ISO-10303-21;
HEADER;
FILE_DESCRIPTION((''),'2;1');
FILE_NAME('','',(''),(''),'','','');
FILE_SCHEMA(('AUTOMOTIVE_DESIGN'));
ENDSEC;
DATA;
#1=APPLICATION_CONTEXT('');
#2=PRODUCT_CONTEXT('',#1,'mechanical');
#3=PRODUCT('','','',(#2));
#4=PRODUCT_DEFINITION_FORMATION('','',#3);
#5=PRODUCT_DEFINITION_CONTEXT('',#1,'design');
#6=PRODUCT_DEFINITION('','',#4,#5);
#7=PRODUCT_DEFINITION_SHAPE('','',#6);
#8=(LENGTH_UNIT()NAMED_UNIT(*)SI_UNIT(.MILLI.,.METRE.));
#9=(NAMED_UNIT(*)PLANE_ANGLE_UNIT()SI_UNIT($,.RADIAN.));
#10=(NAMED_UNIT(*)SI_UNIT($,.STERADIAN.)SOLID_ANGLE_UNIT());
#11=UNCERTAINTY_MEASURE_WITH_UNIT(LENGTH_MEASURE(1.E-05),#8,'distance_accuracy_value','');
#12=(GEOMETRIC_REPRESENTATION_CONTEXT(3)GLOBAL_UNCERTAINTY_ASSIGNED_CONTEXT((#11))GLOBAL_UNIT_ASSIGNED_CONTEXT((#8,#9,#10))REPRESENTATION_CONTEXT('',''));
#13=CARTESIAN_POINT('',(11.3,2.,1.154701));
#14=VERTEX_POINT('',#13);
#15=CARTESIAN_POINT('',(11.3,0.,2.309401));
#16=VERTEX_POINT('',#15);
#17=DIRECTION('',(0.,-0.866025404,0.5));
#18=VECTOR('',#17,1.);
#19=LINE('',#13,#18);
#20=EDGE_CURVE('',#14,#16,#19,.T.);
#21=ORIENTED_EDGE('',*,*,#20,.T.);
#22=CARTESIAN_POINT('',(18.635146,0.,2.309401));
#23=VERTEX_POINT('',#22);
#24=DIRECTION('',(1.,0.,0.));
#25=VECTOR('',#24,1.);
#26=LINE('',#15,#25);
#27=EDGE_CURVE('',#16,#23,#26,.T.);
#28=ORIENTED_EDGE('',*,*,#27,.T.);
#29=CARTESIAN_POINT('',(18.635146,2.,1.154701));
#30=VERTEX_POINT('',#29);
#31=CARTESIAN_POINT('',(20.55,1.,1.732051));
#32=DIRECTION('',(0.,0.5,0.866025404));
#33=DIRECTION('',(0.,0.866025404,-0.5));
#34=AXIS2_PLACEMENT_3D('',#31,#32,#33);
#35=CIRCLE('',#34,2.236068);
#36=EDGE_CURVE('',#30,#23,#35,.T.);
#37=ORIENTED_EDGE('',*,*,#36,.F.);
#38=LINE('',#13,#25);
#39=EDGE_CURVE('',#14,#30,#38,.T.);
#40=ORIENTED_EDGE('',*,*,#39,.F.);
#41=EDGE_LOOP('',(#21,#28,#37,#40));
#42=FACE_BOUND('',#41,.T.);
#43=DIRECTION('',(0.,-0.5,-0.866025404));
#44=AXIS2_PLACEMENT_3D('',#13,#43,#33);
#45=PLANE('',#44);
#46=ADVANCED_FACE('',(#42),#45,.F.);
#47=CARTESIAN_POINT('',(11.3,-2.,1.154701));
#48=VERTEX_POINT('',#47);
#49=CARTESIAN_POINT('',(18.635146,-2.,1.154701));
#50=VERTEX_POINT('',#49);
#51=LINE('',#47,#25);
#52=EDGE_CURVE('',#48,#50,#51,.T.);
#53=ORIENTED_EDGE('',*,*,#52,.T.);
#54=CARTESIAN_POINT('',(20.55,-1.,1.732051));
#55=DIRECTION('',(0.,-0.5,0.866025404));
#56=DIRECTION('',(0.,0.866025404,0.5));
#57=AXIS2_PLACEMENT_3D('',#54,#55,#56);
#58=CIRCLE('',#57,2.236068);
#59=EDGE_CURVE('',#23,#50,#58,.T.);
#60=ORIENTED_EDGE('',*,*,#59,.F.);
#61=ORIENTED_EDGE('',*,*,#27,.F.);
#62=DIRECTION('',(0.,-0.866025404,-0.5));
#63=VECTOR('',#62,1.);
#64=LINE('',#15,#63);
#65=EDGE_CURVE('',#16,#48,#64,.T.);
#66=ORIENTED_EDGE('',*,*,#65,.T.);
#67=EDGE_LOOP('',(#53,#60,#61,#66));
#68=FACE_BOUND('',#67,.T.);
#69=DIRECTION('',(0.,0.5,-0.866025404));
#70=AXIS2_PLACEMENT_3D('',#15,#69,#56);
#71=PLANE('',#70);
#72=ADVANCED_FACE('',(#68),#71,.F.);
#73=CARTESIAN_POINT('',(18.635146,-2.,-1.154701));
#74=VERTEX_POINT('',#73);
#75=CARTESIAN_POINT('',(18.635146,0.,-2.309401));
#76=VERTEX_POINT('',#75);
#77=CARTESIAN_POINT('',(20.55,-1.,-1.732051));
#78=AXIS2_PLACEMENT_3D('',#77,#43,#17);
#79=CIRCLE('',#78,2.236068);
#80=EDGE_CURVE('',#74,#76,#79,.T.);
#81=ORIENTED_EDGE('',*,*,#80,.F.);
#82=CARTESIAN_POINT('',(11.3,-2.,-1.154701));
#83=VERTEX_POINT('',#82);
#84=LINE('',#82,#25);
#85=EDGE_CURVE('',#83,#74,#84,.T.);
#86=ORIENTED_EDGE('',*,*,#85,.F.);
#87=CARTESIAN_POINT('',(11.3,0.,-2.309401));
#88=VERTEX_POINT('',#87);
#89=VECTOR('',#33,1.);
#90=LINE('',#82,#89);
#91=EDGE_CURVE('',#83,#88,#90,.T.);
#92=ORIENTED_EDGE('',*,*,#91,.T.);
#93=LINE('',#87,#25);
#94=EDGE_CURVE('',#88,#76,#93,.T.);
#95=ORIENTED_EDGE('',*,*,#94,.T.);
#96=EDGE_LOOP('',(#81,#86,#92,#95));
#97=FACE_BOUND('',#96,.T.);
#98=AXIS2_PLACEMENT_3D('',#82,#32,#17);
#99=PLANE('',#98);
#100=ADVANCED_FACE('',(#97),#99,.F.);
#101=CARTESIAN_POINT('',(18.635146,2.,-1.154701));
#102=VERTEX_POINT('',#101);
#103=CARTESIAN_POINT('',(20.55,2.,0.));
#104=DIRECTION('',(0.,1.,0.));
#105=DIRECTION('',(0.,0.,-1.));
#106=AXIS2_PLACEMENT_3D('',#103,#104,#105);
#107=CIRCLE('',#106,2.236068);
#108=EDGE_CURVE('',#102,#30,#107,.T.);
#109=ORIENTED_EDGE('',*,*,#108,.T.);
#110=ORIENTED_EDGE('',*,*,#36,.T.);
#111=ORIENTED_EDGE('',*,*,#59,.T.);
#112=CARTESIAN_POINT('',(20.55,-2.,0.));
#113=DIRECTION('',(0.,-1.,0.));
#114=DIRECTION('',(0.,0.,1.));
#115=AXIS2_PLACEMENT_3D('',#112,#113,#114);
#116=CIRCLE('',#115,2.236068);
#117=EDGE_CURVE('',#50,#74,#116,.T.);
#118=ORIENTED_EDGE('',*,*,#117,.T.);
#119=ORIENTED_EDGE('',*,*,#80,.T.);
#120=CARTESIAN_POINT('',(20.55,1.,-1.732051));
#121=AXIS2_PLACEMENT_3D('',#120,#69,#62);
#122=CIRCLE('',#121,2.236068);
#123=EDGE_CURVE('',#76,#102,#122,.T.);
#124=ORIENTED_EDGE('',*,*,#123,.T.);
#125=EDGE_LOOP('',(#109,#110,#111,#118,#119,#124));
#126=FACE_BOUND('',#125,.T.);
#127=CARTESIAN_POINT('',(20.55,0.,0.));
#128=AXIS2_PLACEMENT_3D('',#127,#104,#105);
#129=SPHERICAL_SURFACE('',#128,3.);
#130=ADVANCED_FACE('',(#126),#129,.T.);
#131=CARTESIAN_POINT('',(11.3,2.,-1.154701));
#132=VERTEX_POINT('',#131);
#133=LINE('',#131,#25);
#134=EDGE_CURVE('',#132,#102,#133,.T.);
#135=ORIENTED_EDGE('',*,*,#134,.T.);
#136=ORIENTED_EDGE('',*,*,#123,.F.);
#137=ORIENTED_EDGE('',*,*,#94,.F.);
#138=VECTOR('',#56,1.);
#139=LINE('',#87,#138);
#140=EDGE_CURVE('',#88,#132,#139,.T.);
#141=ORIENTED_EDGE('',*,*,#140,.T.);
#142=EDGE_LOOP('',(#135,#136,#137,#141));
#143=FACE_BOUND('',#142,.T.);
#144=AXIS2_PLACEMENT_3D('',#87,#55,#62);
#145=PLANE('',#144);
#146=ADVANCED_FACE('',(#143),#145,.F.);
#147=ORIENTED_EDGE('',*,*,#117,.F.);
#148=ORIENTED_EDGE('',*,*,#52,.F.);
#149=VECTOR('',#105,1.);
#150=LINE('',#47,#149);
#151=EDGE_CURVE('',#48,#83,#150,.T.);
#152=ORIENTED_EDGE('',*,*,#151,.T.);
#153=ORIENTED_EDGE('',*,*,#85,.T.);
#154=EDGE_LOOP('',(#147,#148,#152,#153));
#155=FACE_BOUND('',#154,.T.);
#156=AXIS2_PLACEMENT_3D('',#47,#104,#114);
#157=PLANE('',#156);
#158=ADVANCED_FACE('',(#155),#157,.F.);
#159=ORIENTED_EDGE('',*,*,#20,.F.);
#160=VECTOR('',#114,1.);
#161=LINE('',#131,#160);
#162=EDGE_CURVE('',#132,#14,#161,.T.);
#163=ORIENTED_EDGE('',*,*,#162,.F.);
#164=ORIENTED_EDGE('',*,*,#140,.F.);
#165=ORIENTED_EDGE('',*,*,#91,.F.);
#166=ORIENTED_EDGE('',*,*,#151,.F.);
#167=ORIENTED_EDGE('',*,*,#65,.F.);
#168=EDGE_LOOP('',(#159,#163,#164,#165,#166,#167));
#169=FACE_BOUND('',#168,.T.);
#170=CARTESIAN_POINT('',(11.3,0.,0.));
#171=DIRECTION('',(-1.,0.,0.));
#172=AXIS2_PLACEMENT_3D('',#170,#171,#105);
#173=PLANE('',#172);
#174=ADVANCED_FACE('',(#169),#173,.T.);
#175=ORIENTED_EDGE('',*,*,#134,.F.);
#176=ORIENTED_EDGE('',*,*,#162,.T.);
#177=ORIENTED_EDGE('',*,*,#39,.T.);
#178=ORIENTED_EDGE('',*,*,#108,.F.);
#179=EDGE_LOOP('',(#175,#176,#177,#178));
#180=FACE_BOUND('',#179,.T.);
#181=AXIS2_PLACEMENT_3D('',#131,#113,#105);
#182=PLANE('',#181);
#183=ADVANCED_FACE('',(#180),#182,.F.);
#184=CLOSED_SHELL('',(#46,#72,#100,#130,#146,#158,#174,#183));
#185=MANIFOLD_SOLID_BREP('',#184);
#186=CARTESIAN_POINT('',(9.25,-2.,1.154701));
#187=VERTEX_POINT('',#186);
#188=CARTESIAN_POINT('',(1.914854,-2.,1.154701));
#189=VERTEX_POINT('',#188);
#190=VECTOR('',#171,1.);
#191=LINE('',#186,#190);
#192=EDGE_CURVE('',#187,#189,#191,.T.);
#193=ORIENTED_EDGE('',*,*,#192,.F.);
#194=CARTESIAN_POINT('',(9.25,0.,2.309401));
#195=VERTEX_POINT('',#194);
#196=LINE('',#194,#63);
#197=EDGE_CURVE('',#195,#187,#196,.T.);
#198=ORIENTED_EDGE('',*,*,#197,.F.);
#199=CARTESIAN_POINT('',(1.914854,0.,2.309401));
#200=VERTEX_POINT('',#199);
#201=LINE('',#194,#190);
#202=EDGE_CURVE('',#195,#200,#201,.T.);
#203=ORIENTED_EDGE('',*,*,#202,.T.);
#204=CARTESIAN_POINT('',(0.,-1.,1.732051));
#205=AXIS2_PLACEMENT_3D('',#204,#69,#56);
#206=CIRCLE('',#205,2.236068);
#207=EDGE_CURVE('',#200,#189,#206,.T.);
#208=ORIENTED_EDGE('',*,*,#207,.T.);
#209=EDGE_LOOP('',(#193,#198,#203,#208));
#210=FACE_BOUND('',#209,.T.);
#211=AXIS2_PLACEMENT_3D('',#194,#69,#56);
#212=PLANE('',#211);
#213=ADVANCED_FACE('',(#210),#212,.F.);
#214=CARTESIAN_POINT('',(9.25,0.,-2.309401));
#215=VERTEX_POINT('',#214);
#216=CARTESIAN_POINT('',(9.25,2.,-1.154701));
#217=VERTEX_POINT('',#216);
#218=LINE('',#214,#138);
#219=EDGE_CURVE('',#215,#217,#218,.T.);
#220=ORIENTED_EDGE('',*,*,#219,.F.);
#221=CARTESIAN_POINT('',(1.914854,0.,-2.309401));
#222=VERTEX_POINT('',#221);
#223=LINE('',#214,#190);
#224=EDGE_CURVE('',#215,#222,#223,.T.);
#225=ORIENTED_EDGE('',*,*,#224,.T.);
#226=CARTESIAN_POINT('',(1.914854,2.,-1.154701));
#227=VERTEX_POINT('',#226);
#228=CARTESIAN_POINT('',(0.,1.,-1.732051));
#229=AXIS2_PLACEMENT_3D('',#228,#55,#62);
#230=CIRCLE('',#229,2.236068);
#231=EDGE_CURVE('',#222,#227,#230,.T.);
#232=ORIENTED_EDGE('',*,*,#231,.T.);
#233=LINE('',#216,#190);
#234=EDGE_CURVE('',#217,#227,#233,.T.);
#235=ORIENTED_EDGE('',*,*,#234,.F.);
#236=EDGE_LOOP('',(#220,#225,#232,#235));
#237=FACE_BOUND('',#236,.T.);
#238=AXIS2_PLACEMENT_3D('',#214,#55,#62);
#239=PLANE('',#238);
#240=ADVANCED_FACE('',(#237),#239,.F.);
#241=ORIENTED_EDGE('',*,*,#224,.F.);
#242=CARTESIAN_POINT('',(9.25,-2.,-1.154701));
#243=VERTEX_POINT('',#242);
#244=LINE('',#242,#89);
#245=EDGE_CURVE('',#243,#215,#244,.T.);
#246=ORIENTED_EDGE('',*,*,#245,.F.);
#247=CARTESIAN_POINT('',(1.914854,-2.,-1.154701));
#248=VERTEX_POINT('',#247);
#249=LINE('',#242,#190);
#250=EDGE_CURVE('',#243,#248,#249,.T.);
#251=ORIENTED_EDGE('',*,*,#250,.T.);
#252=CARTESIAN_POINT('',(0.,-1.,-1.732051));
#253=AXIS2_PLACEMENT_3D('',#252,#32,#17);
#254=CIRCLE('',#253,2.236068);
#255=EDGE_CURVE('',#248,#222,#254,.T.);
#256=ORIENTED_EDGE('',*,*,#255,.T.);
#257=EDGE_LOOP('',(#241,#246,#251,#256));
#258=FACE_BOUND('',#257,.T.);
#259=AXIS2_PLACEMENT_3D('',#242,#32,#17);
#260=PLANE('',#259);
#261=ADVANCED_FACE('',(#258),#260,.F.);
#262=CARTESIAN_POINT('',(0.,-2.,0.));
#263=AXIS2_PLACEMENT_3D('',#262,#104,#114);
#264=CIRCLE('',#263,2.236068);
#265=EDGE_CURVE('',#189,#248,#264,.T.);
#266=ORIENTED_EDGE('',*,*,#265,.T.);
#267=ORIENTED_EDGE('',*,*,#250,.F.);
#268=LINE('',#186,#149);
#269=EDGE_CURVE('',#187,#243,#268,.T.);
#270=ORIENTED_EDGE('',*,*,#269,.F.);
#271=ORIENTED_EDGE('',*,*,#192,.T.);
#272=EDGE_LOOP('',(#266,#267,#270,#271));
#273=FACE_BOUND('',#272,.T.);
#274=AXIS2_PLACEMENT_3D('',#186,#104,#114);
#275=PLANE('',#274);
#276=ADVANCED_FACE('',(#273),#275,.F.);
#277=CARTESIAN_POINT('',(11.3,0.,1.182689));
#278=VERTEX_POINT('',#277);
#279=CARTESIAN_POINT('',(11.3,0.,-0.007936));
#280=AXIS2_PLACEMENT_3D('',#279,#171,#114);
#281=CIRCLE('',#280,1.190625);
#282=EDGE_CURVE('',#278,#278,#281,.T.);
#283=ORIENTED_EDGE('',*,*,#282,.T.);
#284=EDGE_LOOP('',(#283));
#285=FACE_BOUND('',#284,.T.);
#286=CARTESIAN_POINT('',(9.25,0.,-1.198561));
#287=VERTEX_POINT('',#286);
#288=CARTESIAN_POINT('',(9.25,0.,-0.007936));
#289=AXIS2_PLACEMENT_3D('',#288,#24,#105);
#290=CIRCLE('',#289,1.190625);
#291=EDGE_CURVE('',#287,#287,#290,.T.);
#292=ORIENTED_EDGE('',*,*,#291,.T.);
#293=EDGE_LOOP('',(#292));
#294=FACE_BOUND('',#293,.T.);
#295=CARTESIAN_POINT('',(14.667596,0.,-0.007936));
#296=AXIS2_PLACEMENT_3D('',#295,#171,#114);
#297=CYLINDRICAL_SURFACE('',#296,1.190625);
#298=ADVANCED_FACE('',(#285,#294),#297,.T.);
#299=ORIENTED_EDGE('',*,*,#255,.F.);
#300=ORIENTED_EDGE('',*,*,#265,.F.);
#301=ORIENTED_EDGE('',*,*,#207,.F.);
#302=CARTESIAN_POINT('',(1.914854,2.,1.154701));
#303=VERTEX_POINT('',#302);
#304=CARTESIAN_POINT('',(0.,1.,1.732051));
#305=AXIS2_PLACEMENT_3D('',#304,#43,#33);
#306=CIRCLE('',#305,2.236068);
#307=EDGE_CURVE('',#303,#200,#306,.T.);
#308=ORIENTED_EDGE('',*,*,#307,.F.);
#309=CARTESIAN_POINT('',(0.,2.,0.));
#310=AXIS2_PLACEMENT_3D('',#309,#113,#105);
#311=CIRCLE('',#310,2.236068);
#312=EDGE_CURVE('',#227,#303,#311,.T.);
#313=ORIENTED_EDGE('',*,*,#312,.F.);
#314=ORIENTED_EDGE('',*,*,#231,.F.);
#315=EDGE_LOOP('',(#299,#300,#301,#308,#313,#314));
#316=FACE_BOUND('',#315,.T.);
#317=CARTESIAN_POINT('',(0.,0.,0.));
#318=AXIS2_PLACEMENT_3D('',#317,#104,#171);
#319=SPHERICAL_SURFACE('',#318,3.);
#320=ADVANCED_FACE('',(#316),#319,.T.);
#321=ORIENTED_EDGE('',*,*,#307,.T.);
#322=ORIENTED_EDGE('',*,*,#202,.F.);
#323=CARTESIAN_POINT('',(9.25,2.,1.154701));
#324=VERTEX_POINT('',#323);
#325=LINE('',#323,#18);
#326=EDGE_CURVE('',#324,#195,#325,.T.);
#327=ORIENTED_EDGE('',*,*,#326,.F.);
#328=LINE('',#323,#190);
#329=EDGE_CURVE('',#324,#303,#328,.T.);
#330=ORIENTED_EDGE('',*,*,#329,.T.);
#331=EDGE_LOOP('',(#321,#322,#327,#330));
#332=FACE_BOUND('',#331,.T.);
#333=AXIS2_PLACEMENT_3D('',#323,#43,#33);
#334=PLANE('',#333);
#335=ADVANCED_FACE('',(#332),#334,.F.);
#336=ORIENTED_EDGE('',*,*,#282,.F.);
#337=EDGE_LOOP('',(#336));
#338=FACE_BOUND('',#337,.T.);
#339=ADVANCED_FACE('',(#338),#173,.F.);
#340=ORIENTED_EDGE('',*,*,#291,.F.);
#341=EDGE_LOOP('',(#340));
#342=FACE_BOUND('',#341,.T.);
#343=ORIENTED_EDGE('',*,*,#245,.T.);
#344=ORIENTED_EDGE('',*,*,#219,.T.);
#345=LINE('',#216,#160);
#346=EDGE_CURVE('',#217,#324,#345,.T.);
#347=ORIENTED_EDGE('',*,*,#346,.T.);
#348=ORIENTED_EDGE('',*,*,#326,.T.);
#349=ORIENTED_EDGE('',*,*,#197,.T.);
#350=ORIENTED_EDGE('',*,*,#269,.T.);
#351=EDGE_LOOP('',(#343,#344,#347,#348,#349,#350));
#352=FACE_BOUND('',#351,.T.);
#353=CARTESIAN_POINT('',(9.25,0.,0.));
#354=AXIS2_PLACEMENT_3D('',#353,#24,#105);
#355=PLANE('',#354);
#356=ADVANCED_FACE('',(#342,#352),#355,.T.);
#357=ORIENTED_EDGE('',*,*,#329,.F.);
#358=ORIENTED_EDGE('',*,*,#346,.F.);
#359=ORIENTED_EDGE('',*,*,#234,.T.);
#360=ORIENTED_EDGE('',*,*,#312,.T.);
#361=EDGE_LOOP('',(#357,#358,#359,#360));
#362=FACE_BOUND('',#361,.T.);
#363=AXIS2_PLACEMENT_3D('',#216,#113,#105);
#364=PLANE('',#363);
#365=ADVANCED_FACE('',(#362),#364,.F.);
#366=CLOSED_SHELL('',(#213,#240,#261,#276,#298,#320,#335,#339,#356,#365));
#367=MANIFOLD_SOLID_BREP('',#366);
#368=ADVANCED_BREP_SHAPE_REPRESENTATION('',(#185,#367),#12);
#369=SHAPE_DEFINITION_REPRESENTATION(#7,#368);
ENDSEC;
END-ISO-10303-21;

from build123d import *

# Parameters (mm, degrees)
BOSS_EXTRUDE2_DEPTH = 9.25
SKETCH5_R           = 1.190625
BOSS_EXTRUDE3_DEPTH = 2.05


with BuildPart() as part:
    # Sketch2 → Revolve1 (revolve)
    with BuildSketch(Plane.XY):
        with BuildLine():
            Line((0, 3), (0, -3))
            ThreePointArc((0, -3), (3, 0), (0, 3))
        make_face()
    revolve(axis=Axis((0, 3, 0), (0, -1, 0)))

    # Sketch3 → Boss-Extrude2 (add)
    with BuildSketch(Plane(origin=(0, 0, 0), x_dir=(0, 0, -1), z_dir=(1, 0, 0))):
        Polygon((1.154700538, -2), (2.309401077, 0), (1.154700538, 2), (-1.154700538, 2), (-2.309401077, 0), (-1.154700538, -2), align=None)
    boss_extrude2 = extrude(amount=BOSS_EXTRUDE2_DEPTH)

    # Sketch5 → Boss-Extrude3 (add)
    with BuildSketch(Plane(origin=(9.25, 0, 0), x_dir=(0, 0, -1), z_dir=(1, 0, 0))):
        with Locations(Location((0.007936131, 0, 0), (0, 0, 180))):
            Circle(SKETCH5_R)
    extrude(amount=BOSS_EXTRUDE3_DEPTH)


with BuildPart() as body_2:
    # Sketch7 → Revolve2 (revolve)
    with BuildSketch(Plane(origin=(20.55, 0, 0), x_dir=(0, 0, -1), z_dir=(1, 0, 0))):
        with BuildLine():
            ThreePointArc((0, 3), (3, 0), (0, -3))
            Line((0, -3), (0, 3))
        make_face()
    revolve(axis=Axis((20.55, 3, 0), (0, -1, 0)))

    # Mirror3: Boss-Extrude2 across plane
    add(boss_extrude2.mirror(Plane(origin=(10.275, 0, 0), x_dir=(0, 0, 1), z_dir=(1, 0, 0))))


solid = Compound([part.part, body_2.part])
